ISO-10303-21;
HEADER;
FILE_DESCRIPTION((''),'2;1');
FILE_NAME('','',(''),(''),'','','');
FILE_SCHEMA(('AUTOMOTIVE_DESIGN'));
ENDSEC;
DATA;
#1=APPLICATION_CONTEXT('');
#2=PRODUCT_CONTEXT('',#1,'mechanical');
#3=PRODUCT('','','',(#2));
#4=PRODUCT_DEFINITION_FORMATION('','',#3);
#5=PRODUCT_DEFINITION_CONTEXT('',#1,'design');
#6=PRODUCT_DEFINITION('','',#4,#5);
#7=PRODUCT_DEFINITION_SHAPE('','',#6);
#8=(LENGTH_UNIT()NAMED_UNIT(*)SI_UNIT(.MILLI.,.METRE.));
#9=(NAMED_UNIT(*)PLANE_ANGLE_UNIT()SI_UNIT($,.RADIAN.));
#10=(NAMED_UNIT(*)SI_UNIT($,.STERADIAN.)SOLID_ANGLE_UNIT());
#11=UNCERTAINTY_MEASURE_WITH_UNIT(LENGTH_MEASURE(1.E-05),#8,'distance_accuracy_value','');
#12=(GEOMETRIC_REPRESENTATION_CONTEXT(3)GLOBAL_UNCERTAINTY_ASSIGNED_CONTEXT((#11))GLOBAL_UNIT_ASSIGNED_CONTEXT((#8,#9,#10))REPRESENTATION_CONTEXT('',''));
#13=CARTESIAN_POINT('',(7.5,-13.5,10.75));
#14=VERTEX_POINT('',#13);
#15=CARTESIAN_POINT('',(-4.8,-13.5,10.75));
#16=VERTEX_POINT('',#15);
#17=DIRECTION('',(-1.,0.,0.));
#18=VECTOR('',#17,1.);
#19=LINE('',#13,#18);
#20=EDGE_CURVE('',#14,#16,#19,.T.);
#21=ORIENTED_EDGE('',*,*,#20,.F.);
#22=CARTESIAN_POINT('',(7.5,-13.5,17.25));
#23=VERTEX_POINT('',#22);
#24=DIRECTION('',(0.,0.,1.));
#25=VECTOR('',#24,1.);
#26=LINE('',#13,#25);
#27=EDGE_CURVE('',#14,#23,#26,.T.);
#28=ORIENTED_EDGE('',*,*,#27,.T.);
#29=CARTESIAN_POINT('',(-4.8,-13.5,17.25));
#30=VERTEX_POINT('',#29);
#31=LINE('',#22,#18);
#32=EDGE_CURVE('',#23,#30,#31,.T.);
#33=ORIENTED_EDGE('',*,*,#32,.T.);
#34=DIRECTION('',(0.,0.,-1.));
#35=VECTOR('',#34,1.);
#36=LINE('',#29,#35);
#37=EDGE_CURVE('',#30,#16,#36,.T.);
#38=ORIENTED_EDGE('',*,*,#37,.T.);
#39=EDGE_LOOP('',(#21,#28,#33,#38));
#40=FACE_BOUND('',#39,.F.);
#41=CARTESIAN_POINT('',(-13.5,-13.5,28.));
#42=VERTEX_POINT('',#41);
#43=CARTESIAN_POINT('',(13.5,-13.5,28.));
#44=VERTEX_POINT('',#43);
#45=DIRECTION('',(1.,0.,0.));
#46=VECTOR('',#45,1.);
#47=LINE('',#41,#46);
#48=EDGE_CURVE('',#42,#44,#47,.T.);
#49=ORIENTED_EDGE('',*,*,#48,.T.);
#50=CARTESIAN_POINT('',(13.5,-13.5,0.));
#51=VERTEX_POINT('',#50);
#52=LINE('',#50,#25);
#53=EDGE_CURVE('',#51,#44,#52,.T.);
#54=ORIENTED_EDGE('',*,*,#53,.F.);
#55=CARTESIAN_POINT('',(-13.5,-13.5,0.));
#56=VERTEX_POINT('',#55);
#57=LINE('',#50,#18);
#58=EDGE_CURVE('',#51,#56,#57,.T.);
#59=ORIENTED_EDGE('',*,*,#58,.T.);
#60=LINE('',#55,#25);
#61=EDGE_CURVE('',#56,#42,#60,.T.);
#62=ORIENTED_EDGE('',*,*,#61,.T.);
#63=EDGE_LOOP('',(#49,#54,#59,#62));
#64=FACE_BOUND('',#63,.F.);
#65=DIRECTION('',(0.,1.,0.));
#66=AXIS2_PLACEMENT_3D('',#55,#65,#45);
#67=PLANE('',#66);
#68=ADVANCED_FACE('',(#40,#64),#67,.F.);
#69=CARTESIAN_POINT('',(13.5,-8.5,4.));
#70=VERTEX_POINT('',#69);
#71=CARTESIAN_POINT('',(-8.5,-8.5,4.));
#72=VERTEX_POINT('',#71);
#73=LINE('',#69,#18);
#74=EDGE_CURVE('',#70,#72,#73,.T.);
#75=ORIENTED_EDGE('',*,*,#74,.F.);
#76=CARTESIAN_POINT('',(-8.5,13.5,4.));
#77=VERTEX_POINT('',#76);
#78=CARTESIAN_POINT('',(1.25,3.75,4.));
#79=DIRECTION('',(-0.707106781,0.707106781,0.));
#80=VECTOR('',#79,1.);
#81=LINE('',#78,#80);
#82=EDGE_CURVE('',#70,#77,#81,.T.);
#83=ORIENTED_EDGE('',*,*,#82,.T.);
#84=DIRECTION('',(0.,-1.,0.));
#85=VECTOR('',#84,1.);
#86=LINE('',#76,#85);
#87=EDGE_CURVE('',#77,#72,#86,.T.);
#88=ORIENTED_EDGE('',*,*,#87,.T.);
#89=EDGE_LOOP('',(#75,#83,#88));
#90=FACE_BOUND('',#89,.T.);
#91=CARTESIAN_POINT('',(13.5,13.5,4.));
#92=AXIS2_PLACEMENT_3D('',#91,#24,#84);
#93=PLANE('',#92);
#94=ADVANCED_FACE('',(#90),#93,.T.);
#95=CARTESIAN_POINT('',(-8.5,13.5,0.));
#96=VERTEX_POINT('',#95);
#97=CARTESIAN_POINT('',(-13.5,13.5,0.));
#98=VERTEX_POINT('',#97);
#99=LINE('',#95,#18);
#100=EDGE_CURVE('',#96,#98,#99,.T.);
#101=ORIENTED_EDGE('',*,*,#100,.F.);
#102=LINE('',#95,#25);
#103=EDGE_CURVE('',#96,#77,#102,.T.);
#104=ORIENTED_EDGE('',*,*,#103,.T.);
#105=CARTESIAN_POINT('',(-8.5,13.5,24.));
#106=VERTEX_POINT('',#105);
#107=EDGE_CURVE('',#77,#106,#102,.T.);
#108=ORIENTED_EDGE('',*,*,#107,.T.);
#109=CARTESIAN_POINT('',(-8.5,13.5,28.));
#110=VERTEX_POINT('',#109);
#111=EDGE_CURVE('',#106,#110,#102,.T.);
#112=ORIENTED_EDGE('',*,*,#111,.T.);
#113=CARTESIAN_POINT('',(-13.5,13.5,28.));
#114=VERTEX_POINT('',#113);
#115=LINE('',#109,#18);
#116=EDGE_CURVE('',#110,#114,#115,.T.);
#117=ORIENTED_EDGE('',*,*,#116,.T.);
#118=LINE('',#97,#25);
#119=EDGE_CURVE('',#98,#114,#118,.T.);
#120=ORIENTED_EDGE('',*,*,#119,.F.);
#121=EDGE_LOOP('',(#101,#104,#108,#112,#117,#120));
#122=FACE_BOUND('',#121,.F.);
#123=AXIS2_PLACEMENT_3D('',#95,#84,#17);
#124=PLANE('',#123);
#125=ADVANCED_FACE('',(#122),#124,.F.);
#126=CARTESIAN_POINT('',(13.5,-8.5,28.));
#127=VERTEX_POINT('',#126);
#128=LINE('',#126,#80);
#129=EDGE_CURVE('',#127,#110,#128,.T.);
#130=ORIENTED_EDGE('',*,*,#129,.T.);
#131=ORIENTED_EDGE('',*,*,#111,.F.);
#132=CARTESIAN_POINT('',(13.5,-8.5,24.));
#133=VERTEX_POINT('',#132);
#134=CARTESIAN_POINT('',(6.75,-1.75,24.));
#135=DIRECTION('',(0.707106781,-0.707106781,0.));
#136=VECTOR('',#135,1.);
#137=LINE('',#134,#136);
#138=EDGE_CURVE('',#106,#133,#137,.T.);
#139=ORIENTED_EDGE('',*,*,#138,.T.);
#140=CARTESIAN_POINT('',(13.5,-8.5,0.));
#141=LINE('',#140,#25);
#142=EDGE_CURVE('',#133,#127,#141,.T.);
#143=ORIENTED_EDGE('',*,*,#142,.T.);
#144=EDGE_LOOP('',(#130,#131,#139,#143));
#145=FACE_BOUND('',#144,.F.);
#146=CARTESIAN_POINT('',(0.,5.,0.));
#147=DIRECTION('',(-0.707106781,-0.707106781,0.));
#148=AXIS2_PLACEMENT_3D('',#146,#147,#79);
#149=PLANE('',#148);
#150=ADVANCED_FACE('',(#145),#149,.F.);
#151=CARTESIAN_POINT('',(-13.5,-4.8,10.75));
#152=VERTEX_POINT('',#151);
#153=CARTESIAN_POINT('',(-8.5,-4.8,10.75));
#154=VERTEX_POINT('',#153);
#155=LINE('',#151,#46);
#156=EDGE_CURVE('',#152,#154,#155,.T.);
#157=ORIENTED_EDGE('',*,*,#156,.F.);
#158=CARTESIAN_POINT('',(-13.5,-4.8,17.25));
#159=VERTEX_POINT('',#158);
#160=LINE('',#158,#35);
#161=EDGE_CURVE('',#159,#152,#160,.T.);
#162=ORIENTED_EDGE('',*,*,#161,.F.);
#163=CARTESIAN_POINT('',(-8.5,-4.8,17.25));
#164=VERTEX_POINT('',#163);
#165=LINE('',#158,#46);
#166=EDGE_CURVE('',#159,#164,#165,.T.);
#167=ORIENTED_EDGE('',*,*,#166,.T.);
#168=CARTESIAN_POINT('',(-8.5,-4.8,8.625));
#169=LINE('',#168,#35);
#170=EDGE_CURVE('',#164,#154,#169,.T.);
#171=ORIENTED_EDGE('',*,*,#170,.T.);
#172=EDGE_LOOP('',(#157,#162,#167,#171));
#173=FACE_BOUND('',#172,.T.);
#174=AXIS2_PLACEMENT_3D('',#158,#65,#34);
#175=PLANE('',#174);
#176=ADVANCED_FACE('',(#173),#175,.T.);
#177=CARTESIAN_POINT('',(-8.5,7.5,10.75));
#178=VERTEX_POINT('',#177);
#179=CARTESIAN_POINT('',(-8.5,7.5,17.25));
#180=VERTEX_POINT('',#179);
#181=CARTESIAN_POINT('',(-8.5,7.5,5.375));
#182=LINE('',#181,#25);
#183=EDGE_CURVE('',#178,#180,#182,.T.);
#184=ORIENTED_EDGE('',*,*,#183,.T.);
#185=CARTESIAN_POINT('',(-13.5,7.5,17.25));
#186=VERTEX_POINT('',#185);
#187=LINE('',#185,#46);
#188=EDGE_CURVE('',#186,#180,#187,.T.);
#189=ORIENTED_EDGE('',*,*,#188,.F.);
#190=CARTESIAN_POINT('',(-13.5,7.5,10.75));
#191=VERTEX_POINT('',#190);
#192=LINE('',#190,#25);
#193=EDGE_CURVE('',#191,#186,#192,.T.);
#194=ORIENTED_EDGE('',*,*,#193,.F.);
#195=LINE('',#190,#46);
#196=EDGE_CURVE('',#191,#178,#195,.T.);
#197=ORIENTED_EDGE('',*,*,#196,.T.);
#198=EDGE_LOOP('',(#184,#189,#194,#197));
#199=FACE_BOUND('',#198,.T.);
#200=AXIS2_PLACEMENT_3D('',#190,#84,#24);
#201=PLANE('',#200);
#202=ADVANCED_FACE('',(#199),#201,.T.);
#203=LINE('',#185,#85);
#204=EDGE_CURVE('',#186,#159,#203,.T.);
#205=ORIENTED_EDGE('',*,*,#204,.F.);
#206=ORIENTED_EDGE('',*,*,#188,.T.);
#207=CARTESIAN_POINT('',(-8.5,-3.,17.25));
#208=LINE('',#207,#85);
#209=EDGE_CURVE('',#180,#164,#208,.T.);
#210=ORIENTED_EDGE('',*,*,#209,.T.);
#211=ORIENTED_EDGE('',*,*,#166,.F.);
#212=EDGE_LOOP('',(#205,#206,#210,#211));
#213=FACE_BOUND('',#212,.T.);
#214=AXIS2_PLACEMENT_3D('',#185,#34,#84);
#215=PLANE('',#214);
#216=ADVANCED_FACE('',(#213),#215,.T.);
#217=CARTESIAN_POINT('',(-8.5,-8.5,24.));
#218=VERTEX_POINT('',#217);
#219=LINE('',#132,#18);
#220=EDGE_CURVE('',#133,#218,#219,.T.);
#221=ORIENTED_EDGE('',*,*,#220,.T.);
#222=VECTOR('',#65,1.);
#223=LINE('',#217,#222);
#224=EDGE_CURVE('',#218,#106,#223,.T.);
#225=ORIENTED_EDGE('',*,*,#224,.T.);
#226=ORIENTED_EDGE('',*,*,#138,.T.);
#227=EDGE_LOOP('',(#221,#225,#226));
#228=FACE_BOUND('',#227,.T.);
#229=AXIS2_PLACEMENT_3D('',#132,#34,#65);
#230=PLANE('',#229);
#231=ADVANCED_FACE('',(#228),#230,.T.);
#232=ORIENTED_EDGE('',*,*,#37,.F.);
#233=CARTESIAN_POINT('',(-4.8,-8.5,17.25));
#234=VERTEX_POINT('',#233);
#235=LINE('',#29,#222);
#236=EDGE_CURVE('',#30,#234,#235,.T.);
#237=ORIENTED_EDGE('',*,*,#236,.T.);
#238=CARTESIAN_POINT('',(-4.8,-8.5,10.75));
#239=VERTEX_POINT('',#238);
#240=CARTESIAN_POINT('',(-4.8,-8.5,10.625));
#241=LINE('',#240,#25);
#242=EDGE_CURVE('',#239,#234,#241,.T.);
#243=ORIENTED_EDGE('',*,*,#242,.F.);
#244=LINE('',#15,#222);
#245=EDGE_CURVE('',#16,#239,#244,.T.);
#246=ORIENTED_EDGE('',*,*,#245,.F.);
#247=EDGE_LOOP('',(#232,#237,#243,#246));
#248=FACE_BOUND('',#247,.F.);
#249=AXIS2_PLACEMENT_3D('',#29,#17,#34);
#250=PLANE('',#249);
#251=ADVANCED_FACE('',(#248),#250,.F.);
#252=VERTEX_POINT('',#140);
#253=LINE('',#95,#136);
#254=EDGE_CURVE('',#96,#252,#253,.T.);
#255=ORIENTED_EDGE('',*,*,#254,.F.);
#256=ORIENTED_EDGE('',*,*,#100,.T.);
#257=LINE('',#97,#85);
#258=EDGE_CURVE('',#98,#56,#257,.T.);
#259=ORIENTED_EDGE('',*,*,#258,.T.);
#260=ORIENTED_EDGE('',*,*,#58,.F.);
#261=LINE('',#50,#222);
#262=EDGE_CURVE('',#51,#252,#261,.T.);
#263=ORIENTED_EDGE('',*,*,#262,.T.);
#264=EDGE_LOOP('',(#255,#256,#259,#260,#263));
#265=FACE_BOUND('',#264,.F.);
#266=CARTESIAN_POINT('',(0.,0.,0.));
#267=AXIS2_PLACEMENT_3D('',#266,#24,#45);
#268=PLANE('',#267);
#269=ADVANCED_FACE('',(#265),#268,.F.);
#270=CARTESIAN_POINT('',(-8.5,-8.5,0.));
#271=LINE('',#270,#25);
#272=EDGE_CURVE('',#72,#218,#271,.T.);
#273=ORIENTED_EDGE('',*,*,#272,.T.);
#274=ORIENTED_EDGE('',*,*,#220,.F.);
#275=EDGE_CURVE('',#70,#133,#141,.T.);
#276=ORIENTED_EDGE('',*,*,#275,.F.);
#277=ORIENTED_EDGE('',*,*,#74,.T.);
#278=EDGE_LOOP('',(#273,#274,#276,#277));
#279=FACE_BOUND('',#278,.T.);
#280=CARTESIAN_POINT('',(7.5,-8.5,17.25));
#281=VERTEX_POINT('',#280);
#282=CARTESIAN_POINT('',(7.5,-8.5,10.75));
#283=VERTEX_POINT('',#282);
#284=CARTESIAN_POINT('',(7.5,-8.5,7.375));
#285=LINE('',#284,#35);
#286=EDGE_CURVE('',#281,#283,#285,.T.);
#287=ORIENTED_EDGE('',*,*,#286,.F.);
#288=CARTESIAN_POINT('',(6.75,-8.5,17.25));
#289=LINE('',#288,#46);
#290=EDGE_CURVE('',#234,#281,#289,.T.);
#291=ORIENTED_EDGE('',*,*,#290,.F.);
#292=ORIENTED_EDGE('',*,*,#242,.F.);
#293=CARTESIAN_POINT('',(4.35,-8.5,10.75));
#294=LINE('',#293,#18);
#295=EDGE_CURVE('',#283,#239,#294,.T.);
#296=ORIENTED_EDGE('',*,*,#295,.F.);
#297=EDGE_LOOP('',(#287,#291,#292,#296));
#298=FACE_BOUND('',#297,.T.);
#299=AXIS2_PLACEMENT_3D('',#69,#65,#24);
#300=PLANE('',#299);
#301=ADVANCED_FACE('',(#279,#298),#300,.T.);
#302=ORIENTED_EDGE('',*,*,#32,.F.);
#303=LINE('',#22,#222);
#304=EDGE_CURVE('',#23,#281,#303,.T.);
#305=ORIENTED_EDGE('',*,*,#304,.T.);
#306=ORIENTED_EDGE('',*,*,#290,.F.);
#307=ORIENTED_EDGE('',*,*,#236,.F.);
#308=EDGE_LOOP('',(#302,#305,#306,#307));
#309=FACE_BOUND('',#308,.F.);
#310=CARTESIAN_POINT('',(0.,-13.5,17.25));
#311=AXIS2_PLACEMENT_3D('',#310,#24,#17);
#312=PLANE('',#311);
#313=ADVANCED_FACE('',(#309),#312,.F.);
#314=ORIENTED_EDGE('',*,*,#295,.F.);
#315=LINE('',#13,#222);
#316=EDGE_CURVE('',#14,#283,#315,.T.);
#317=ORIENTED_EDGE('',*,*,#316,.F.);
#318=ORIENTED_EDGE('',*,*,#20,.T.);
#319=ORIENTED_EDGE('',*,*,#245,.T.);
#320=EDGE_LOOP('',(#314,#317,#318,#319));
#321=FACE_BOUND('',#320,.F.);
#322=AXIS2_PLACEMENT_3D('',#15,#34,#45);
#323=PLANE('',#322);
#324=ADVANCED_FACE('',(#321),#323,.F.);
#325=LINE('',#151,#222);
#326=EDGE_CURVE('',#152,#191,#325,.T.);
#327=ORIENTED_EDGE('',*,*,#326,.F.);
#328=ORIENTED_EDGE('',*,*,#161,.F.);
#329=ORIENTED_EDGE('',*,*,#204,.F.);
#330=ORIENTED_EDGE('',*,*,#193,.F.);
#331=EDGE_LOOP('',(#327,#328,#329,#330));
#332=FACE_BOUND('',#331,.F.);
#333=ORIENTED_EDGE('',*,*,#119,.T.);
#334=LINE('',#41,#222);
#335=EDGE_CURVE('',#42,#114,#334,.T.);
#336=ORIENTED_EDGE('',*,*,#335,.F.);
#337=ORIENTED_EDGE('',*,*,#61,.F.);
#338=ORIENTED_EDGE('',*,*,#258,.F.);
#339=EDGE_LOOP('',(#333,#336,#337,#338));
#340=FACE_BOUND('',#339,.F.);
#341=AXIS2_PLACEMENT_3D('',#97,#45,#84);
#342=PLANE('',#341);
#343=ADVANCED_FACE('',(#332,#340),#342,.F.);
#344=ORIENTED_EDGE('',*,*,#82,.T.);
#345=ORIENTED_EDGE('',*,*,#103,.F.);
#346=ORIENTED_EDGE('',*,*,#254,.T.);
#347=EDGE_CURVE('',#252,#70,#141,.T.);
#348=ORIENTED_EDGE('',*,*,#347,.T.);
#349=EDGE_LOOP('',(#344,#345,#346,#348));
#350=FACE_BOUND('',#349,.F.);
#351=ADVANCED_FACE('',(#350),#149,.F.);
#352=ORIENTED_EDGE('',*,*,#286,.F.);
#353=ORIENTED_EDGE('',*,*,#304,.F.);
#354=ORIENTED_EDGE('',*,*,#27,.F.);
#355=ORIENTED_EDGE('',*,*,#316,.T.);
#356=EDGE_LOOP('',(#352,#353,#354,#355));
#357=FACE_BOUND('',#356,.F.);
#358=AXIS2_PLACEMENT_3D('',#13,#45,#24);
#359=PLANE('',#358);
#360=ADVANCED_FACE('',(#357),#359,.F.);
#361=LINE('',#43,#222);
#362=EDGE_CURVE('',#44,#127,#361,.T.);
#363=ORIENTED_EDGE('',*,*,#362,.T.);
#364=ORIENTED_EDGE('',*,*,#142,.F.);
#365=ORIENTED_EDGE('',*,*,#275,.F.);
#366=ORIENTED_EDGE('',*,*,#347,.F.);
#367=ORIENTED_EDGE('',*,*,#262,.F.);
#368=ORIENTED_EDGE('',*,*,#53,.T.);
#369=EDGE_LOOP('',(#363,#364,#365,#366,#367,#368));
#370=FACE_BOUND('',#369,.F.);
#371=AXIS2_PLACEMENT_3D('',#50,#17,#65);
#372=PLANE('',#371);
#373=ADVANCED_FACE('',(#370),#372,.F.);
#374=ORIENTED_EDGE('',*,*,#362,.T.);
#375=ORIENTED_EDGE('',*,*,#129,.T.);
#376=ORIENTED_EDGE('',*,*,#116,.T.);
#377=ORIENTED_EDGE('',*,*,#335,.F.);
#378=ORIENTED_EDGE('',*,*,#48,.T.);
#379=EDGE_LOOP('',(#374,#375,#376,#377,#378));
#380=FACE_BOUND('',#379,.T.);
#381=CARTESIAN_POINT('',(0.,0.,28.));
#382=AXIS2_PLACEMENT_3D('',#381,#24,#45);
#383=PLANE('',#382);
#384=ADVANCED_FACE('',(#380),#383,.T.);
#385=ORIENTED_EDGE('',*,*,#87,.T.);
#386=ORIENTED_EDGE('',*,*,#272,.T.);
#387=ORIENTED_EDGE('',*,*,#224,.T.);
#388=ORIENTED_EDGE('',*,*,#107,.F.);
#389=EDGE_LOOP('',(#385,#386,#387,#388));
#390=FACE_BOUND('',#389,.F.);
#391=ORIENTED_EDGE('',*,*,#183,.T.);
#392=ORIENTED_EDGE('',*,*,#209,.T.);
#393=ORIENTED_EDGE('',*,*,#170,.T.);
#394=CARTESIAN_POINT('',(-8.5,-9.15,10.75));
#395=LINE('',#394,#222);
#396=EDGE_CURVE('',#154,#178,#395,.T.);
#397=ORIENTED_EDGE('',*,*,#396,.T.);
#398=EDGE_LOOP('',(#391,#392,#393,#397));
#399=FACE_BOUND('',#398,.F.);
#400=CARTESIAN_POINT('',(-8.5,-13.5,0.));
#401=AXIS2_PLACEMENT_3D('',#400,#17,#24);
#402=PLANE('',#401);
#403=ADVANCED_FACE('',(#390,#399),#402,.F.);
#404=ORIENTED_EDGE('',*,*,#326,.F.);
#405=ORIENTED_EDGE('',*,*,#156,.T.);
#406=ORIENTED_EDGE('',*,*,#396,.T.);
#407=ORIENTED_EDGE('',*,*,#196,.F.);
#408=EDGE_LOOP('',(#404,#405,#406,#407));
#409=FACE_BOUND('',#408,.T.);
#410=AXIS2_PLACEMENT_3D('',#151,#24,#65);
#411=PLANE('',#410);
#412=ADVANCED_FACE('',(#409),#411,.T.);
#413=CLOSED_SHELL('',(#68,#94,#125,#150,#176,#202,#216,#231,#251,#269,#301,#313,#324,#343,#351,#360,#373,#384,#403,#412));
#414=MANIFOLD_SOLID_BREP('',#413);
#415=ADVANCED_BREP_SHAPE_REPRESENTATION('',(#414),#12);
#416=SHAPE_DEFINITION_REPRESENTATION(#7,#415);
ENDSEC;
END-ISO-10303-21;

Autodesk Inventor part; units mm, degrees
ref_plane "YZ Plane" through (0, 0, 0) normal (1, 0, 0) x (0, 1, 0)
ref_plane "XZ Plane" through (0, 0, 0) normal (0, 1, 0) x (-1, 0, 0)
sketch "Náčrt1" plane through (0, 0, 0) normal (0, 0, 1) x (1, 0, 0)
  line L0 (-18.9, 0) -> (18.9, 0) projected
  line L1 (0, 18.9) -> (0, -18.9) projected
  line L2 (-13.5, -13.5) -> (13.5, -13.5)
  line L3 (13.5, -13.5) -> (13.5, -8.5)
  line L4 (13.5, -8.5) -> (-8.5, 13.5)
  line L5 (-8.5, 13.5) -> (-13.5, 13.5)
  line L6 (-13.5, 13.5) -> (-13.5, -13.5)
  point P0 (0, 0)
  dimension "d0" = 27
  dimension "d1" = 27
  dimension "d2" = 5
  dimension "d3" = 5
extrude "Vysunutí1" add sketch "Náčrt1" along normal blind 28
ref_plane "Pracovní rovina3" through (13.5, -13.5, 0) normal (-1, 0, 0) x (0, 0, 1)
sketch "Náčrt5" plane through (13.5, -13.5, 0) normal (-1, 0, 0) x (0, 0, 1)
  line L0 (0, 5) -> (0, 27) projected
  line L1 (0, 27) -> (28, 27) projected
  line L2 (28, 5) -> (28, 27) projected
  line L3 (0, 5) -> (28, 5) projected
  line L4 (24, 27) -> (4, 27)
  line L5 (4, 27) -> (4, 5)
  line L6 (4, 5) -> (24, 5)
  line L7 (24, 5) -> (24, 27)
  point P0 (0, 13.5)
  dimension "d24" = 20
  dimension "d25" = 4
extrude "Vysunutí5" cut sketch "Náčrt5" along normal blind 22 contours L5 L1 L7 L3
sketch "Náčrt6" plane through (-13.5, -13.5, 0) normal (-1, 0, 0) x (0, 0, 1)
  line L0 (0, 27) -> (0, 0) projected
  line L1 (0, 0) -> (28, 0) projected
  line L2 (28, 27) -> (28, 0) projected
  line L3 (0, 27) -> (28, 27) projected
  line L4 (10.75, 21) -> (17.25, 21)
  line L5 (17.25, 21) -> (17.25, 8.7)
  line L6 (17.25, 8.7) -> (10.75, 8.7)
  line L7 (10.75, 8.7) -> (10.75, 21)
  point P0 (0, 13.5)
  dimension "d28" = 6.5
  dimension "d29" = 12.3
  dimension "d30" = 10.75
  dimension "d31" = 6
extrude "Vysunutí6" cut sketch "Náčrt6" against normal through all contours L4 L5 L6 L7
pattern_circular "Kruhové pole1" count 2 over 90 about axis through (-13.5, -13.5, 0) along (0, 0, -1) of "Vysunutí6"
sketch "Náčrt7" plane through (-13.5, -13.5, 0) normal (0, -1, 0) x (1, 0, 0)
  line L0 (0, 0) -> (27, 0) projected
  line L1 (27, 0) -> (27, 28) projected
  line L2 (0, 28) -> (27, 28) projected
  line L3 (0, 0) -> (0, 28) projected
  line L4 (-5.4, 0) -> (32.4, 0) projected
  line L5 (-5.4, 0) -> (32.4, 0) projected
  line L6 (13.5, -5.6) -> (13.5, 33.6) projected
  line L7 (21, 17.25) -> (8.7, 17.25)
  line L8 (8.7, 17.25) -> (8.7, 10.75)
  line L9 (8.7, 10.75) -> (21, 10.75)
  line L10 (21, 10.75) -> (21, 17.25)
  point P0 (13.5, 0)
  dimension "d37" = 12.3
  dimension "d38" = 6.5
  dimension "d39" = 6
  dimension "d40" = 10.75
extrude "Vysunutí7" cut sketch "Náčrt7" against normal through all contours L9 L8 L7 L6 | L6 L7 L10 L9
properties part number "masterpiece_uhelnik_3D tisk"
